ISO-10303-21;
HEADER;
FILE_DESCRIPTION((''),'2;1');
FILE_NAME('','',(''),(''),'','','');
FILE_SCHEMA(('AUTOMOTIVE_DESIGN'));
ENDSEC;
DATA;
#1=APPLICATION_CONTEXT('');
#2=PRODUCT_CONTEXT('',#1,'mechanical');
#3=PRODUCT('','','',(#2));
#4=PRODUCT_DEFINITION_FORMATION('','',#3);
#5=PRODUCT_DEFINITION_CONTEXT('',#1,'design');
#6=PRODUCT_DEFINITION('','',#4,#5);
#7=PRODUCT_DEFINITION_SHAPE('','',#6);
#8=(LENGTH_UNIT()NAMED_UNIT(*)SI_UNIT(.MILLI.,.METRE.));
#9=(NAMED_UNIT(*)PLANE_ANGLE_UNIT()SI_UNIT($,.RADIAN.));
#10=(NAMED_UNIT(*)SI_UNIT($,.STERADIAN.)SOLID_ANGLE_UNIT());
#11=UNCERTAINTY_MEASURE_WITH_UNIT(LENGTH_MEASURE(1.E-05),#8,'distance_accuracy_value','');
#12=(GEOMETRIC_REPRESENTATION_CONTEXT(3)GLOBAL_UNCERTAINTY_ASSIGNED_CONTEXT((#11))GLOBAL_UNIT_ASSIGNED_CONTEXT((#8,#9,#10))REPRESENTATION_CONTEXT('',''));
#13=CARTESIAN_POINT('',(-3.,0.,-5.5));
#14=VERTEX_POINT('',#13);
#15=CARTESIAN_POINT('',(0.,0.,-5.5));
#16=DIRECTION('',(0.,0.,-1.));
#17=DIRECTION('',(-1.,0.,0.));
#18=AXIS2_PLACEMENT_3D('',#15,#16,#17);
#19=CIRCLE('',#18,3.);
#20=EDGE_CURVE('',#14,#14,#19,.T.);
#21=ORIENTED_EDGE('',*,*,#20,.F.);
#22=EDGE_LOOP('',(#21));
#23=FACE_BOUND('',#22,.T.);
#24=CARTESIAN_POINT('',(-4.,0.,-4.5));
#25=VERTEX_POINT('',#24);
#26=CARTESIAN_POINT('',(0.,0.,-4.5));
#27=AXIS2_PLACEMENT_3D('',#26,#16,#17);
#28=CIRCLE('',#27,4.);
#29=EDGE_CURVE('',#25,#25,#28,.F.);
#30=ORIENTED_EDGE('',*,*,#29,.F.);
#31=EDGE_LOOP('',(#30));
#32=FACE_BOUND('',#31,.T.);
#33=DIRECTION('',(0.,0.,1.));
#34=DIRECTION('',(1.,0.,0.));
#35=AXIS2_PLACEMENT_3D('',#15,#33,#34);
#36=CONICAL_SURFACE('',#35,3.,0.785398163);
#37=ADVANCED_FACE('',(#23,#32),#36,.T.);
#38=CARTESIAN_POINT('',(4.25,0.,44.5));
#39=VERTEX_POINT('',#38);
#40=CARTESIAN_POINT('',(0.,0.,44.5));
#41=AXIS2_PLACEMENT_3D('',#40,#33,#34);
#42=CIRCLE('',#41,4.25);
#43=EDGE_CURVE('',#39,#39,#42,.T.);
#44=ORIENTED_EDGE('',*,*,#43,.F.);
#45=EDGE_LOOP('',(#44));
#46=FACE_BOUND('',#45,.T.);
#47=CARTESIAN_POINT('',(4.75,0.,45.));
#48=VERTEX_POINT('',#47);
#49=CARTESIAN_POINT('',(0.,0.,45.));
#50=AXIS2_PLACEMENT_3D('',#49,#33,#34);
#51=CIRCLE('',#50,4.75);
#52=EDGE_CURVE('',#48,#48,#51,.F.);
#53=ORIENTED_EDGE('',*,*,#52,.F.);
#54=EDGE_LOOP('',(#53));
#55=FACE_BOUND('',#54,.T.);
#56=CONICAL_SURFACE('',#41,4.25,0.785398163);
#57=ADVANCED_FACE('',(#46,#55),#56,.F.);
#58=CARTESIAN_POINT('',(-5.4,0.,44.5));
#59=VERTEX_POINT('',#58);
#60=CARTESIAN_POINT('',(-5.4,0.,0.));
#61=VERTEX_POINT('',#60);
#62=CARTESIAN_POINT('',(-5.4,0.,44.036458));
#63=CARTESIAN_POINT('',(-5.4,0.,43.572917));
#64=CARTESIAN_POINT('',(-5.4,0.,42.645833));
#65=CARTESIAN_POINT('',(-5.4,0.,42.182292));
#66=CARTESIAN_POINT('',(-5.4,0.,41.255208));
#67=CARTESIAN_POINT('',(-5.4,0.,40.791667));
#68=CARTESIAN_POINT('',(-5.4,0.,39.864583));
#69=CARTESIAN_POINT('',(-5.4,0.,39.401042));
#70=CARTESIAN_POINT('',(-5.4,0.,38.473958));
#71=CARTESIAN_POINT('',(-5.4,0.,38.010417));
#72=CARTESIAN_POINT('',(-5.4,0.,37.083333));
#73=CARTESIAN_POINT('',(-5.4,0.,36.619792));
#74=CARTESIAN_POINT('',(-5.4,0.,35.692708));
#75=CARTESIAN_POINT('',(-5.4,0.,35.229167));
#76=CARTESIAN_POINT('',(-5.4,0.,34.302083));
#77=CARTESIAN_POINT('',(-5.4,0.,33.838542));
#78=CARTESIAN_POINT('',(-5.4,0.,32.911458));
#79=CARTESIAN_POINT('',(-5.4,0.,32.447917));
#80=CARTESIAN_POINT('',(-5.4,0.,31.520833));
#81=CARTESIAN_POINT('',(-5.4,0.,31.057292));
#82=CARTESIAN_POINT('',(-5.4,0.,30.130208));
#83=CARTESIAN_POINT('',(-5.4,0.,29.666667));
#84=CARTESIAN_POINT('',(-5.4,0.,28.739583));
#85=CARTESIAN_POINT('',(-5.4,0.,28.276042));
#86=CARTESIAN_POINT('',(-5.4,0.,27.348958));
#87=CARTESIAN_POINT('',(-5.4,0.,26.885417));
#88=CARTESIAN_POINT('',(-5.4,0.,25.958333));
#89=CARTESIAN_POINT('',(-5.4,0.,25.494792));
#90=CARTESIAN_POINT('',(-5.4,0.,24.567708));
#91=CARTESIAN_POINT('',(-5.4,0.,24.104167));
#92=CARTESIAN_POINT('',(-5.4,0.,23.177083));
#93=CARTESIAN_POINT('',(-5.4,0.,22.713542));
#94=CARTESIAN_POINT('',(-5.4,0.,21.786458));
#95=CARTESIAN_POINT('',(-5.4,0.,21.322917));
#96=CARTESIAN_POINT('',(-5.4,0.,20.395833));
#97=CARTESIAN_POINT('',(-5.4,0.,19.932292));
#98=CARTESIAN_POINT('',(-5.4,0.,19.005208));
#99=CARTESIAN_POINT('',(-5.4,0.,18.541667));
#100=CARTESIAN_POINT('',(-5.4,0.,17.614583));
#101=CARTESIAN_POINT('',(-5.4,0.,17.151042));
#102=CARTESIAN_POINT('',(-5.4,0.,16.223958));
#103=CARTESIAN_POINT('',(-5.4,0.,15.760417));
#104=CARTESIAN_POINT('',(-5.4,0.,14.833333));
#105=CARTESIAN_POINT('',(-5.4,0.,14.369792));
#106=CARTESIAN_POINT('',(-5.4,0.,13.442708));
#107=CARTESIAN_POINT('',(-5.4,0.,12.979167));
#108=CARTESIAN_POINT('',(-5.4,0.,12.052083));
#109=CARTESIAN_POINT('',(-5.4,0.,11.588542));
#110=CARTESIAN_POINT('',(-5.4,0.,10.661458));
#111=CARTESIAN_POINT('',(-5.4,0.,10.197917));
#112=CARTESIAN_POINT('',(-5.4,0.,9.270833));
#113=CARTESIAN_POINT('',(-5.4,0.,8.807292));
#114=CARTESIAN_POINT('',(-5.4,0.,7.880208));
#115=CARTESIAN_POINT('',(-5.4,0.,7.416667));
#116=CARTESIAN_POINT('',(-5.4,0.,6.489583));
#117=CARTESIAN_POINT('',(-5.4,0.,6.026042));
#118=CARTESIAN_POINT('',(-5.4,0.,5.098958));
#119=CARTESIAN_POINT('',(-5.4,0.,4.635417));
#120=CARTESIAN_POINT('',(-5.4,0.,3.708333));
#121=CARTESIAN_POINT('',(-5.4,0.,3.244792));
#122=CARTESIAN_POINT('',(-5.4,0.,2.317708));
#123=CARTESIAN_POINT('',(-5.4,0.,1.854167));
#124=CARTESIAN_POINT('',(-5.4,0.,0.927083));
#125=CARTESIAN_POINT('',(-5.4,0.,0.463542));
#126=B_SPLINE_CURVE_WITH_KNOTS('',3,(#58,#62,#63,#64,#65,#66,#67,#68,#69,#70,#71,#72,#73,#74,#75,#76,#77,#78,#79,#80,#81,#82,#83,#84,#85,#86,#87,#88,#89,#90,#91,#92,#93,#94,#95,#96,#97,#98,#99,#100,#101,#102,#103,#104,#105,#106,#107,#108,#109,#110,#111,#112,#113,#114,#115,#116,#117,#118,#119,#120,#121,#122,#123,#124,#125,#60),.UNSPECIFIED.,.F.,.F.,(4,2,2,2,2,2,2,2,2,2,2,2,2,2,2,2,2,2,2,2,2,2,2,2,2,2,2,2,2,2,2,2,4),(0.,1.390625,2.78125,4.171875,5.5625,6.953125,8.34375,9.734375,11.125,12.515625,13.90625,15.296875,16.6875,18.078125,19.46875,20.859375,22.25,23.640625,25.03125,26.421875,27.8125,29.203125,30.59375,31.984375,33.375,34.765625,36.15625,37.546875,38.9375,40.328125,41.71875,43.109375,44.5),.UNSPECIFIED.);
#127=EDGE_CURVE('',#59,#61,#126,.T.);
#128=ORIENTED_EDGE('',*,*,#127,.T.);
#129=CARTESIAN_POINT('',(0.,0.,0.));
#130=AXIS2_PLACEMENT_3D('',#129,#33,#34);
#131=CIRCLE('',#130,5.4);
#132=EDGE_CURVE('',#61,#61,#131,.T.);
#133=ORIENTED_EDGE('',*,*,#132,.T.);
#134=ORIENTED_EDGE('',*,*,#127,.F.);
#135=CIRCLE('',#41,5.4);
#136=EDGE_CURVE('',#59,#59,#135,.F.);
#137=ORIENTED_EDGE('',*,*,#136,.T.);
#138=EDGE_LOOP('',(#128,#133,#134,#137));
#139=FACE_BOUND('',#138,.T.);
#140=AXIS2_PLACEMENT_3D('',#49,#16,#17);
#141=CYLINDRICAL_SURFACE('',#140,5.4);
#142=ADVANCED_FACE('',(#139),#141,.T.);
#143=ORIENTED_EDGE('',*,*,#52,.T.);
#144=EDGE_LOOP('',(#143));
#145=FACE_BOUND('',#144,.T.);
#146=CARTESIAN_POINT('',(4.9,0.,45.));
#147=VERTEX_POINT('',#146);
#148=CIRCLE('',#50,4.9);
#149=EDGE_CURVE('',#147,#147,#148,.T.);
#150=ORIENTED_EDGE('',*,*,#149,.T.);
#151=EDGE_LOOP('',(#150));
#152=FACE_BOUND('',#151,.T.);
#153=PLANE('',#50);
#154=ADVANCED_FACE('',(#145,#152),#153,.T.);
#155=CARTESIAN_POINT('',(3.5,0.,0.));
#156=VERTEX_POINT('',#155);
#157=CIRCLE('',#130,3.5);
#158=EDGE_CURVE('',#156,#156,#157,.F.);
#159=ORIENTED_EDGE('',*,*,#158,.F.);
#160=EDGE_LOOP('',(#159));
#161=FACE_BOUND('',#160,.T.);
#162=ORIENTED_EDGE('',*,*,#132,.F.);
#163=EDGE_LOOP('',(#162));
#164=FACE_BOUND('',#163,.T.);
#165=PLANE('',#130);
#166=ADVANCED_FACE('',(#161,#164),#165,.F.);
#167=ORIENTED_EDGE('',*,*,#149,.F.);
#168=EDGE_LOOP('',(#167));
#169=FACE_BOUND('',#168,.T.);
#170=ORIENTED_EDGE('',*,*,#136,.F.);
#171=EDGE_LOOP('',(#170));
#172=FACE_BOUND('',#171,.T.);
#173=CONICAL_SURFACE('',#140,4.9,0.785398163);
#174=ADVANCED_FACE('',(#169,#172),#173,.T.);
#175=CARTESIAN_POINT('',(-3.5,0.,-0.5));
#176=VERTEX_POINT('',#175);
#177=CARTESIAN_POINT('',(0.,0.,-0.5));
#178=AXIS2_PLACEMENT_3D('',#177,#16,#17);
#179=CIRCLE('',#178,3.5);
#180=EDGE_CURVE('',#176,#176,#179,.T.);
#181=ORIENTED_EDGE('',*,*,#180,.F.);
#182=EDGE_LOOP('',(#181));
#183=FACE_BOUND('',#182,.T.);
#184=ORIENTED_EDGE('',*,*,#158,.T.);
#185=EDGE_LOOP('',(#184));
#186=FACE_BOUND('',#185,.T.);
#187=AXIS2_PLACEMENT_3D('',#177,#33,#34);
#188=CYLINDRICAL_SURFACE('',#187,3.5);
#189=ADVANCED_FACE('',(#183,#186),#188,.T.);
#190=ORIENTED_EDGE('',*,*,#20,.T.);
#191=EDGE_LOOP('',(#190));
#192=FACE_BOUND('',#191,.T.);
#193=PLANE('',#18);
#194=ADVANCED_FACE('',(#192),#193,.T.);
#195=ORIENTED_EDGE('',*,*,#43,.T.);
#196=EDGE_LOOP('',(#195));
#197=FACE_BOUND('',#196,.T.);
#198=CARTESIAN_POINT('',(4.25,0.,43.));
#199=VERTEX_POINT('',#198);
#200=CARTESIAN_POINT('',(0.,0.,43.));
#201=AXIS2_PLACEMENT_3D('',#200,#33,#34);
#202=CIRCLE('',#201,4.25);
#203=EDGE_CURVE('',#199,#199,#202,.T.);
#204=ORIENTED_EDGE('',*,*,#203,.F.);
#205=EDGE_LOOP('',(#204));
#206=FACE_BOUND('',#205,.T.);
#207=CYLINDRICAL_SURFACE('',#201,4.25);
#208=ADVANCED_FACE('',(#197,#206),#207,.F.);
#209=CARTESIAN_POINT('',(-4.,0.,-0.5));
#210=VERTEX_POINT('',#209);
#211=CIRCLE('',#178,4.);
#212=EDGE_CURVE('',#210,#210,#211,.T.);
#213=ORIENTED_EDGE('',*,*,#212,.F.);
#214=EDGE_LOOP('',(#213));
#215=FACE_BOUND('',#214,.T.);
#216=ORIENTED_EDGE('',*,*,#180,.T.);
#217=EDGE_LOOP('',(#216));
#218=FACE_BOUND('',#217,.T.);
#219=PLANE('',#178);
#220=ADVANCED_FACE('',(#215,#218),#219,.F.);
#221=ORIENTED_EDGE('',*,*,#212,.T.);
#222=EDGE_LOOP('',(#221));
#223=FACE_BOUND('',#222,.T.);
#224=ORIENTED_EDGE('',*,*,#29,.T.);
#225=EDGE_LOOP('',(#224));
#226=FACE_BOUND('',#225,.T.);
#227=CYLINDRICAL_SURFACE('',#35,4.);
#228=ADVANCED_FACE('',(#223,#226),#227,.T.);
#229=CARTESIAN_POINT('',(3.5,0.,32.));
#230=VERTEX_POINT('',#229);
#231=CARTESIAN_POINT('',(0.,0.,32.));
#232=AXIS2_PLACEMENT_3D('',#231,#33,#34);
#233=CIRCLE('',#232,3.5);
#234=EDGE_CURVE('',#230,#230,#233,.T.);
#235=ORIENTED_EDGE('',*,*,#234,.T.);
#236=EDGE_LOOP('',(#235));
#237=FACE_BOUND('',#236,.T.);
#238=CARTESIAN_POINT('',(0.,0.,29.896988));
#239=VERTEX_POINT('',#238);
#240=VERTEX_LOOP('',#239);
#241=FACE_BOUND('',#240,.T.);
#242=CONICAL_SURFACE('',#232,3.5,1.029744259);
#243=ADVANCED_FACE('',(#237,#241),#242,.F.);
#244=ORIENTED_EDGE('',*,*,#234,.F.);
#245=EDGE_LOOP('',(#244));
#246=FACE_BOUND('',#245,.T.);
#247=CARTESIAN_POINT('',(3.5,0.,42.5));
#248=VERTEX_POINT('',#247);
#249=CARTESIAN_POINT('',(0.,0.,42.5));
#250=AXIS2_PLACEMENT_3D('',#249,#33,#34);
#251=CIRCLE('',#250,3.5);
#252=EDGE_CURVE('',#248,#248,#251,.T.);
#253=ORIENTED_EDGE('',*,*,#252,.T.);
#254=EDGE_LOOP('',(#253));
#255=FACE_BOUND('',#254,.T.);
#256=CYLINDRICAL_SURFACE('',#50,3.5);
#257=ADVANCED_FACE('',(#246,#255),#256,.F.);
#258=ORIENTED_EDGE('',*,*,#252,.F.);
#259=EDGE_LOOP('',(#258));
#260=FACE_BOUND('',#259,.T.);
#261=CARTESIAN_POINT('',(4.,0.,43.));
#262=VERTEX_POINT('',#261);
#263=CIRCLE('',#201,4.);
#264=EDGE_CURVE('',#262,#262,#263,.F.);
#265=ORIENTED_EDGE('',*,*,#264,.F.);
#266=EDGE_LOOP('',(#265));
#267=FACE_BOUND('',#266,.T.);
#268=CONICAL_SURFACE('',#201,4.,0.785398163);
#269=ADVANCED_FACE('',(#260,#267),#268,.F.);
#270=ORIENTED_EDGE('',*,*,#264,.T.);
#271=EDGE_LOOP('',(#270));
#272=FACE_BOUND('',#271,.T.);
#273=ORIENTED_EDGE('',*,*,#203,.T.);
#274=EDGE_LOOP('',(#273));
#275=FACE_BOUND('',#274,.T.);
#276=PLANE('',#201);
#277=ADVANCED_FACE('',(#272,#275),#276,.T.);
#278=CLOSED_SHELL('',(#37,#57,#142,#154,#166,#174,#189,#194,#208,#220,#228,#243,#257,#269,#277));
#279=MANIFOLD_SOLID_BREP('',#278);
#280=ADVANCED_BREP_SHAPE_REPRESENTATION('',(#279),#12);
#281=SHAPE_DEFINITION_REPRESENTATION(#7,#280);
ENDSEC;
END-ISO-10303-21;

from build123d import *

# Parameters (mm, degrees)
SKETCH_1_R                = 5.4
EXTRUDE_1_DEPTH           = 45
EXTRUDE_3_DEPTH           = 5.4
M8X1_0_TAPPED_HOLE1_D     = 7
M8X1_0_TAPPED_HOLE1_DEPTH = 13
M8X1_0_TAPPED_HOLE1_TIP   = 2.103012167
M3_TAPPED_HOLE1_D         = 2.5
M3_TAPPED_HOLE1_DEPTH     = 7.5
M3_TAPPED_HOLE1_TIP       = 0.751075774
CHAMFER_1_SIZE            = 0.5
CHAMFER_2_SIZE            = 0.5
SKETCH_9_R                = 4.25
CUT_EXTRUDE_5_DEPTH       = 2
CHAMFER_3_SIZE            = 0.5
SKETCH_10_W               = 90.830281396
SKETCH_10_H               = 34.560289278
CUT_EXTRUDE_1_DEPTH       = 85
EXTRUDE_START             = 0.5
SKETCH_11_R               = 3.5
EXTRUDE_1_2_DEPTH         = 0.5
SKETCH_12_R               = 4
EXTRUDE_2_DEPTH           = 5
CHAMFER_4_SIZE            = 1


with BuildPart() as part:
    # 草图1 → Extrude 1 (new body)
    with BuildSketch(Plane.XY):
        with Locations(Location((0, 0, 0), (0, 0, 180))):
            Circle(SKETCH_1_R)
    extrude(amount=EXTRUDE_1_DEPTH)

    # 草图4 → 拉伸3 (add, symmetric)
    with BuildSketch(Plane.XZ):
        with BuildLine():
            Line((-22, 0), (22, 0))
            Line((22, 0), (28, -15.05119142))
            ThreePointArc((28, -15.05119142), (0, -12), (-28, -15.05119142))
            Line((-28, -15.05119142), (-22, 0))
        make_face()
    extrude(amount=EXTRUDE_3_DEPTH, both=True)

    # M8x1.0 Tapped Hole1
    with Locations(Plane.XY.offset(45)):
        with Locations((0, 0)):
            Hole(M8X1_0_TAPPED_HOLE1_D / 2, depth=M8X1_0_TAPPED_HOLE1_DEPTH)
            with Locations((0, 0, -(M8X1_0_TAPPED_HOLE1_DEPTH + M8X1_0_TAPPED_HOLE1_TIP / 2))):  # 118° drill point
                Cone(0, M8X1_0_TAPPED_HOLE1_D / 2, M8X1_0_TAPPED_HOLE1_TIP, mode=Mode.SUBTRACT)

    # M3 Tapped Hole1
    with Locations(Plane(origin=(-19.5, -1.4, 0), x_dir=(0, 1, 0), z_dir=(0, 0, 1))):
        with Locations((0, 0), (0, -39)):
            Hole(M3_TAPPED_HOLE1_D / 2, depth=M3_TAPPED_HOLE1_DEPTH)
            with Locations((0, 0, -(M3_TAPPED_HOLE1_DEPTH + M3_TAPPED_HOLE1_TIP / 2))):  # 118° drill point
                Cone(0, M3_TAPPED_HOLE1_D / 2, M3_TAPPED_HOLE1_TIP, mode=Mode.SUBTRACT)

    # 倒角1
    chamfer_1_edges = [part.edges().sort_by_distance(p)[0] for p in [
        (19.5, -0.15, 0),
        (-19.5, -0.15, 0),
    ]]
    chamfer(chamfer_1_edges, length=CHAMFER_1_SIZE)

    # 倒角2
    chamfer_2_edges = [part.edges().sort_by_distance(p)[0] for p in [
        (5.4, 0, 45),
    ]]
    chamfer(chamfer_2_edges, length=CHAMFER_2_SIZE)

    # 草图9 → 拉伸5 (cut)
    with BuildSketch(Plane.XY.offset(45)):
        Circle(SKETCH_9_R)
    extrude(amount=-CUT_EXTRUDE_5_DEPTH, mode=Mode.SUBTRACT)

    # 倒角3
    chamfer_3_edges = [part.edges().sort_by_distance(p)[0] for p in [
        (-4.25, 0, 45),
        (3.5, 0, 43),
    ]]
    chamfer(chamfer_3_edges, length=CHAMFER_3_SIZE)

    # 草图10 → 切除-拉伸1 (cut)
    with BuildSketch(Plane.XY):
        Rectangle(SKETCH_10_W, SKETCH_10_H)
    extrude(amount=-CUT_EXTRUDE_1_DEPTH, mode=Mode.SUBTRACT)

    # 草图11 → Extrude 1 2 (add)
    with BuildSketch(Plane(origin=(0, 0, 0), x_dir=(-1, 0, 0), z_dir=(0, 0, -1)).offset(EXTRUDE_START)):
        with Locations(Location((0, 0, 0), (0, 0, 180))):
            Circle(SKETCH_11_R)
    extrude(amount=-EXTRUDE_1_2_DEPTH)

    # 草图12 → 凸台-拉伸2 (add)
    with BuildSketch(Plane(origin=(0, 0, -0.5), x_dir=(-1, 0, 0), z_dir=(0, 0, -1))):
        Circle(SKETCH_12_R)
    extrude(amount=EXTRUDE_2_DEPTH)

    # 倒角4
    chamfer_4_edges = [part.edges().sort_by_distance(p)[0] for p in [
        (4, 0, -5.5),
    ]]
    chamfer(chamfer_4_edges, length=CHAMFER_4_SIZE)


solid = part.part
